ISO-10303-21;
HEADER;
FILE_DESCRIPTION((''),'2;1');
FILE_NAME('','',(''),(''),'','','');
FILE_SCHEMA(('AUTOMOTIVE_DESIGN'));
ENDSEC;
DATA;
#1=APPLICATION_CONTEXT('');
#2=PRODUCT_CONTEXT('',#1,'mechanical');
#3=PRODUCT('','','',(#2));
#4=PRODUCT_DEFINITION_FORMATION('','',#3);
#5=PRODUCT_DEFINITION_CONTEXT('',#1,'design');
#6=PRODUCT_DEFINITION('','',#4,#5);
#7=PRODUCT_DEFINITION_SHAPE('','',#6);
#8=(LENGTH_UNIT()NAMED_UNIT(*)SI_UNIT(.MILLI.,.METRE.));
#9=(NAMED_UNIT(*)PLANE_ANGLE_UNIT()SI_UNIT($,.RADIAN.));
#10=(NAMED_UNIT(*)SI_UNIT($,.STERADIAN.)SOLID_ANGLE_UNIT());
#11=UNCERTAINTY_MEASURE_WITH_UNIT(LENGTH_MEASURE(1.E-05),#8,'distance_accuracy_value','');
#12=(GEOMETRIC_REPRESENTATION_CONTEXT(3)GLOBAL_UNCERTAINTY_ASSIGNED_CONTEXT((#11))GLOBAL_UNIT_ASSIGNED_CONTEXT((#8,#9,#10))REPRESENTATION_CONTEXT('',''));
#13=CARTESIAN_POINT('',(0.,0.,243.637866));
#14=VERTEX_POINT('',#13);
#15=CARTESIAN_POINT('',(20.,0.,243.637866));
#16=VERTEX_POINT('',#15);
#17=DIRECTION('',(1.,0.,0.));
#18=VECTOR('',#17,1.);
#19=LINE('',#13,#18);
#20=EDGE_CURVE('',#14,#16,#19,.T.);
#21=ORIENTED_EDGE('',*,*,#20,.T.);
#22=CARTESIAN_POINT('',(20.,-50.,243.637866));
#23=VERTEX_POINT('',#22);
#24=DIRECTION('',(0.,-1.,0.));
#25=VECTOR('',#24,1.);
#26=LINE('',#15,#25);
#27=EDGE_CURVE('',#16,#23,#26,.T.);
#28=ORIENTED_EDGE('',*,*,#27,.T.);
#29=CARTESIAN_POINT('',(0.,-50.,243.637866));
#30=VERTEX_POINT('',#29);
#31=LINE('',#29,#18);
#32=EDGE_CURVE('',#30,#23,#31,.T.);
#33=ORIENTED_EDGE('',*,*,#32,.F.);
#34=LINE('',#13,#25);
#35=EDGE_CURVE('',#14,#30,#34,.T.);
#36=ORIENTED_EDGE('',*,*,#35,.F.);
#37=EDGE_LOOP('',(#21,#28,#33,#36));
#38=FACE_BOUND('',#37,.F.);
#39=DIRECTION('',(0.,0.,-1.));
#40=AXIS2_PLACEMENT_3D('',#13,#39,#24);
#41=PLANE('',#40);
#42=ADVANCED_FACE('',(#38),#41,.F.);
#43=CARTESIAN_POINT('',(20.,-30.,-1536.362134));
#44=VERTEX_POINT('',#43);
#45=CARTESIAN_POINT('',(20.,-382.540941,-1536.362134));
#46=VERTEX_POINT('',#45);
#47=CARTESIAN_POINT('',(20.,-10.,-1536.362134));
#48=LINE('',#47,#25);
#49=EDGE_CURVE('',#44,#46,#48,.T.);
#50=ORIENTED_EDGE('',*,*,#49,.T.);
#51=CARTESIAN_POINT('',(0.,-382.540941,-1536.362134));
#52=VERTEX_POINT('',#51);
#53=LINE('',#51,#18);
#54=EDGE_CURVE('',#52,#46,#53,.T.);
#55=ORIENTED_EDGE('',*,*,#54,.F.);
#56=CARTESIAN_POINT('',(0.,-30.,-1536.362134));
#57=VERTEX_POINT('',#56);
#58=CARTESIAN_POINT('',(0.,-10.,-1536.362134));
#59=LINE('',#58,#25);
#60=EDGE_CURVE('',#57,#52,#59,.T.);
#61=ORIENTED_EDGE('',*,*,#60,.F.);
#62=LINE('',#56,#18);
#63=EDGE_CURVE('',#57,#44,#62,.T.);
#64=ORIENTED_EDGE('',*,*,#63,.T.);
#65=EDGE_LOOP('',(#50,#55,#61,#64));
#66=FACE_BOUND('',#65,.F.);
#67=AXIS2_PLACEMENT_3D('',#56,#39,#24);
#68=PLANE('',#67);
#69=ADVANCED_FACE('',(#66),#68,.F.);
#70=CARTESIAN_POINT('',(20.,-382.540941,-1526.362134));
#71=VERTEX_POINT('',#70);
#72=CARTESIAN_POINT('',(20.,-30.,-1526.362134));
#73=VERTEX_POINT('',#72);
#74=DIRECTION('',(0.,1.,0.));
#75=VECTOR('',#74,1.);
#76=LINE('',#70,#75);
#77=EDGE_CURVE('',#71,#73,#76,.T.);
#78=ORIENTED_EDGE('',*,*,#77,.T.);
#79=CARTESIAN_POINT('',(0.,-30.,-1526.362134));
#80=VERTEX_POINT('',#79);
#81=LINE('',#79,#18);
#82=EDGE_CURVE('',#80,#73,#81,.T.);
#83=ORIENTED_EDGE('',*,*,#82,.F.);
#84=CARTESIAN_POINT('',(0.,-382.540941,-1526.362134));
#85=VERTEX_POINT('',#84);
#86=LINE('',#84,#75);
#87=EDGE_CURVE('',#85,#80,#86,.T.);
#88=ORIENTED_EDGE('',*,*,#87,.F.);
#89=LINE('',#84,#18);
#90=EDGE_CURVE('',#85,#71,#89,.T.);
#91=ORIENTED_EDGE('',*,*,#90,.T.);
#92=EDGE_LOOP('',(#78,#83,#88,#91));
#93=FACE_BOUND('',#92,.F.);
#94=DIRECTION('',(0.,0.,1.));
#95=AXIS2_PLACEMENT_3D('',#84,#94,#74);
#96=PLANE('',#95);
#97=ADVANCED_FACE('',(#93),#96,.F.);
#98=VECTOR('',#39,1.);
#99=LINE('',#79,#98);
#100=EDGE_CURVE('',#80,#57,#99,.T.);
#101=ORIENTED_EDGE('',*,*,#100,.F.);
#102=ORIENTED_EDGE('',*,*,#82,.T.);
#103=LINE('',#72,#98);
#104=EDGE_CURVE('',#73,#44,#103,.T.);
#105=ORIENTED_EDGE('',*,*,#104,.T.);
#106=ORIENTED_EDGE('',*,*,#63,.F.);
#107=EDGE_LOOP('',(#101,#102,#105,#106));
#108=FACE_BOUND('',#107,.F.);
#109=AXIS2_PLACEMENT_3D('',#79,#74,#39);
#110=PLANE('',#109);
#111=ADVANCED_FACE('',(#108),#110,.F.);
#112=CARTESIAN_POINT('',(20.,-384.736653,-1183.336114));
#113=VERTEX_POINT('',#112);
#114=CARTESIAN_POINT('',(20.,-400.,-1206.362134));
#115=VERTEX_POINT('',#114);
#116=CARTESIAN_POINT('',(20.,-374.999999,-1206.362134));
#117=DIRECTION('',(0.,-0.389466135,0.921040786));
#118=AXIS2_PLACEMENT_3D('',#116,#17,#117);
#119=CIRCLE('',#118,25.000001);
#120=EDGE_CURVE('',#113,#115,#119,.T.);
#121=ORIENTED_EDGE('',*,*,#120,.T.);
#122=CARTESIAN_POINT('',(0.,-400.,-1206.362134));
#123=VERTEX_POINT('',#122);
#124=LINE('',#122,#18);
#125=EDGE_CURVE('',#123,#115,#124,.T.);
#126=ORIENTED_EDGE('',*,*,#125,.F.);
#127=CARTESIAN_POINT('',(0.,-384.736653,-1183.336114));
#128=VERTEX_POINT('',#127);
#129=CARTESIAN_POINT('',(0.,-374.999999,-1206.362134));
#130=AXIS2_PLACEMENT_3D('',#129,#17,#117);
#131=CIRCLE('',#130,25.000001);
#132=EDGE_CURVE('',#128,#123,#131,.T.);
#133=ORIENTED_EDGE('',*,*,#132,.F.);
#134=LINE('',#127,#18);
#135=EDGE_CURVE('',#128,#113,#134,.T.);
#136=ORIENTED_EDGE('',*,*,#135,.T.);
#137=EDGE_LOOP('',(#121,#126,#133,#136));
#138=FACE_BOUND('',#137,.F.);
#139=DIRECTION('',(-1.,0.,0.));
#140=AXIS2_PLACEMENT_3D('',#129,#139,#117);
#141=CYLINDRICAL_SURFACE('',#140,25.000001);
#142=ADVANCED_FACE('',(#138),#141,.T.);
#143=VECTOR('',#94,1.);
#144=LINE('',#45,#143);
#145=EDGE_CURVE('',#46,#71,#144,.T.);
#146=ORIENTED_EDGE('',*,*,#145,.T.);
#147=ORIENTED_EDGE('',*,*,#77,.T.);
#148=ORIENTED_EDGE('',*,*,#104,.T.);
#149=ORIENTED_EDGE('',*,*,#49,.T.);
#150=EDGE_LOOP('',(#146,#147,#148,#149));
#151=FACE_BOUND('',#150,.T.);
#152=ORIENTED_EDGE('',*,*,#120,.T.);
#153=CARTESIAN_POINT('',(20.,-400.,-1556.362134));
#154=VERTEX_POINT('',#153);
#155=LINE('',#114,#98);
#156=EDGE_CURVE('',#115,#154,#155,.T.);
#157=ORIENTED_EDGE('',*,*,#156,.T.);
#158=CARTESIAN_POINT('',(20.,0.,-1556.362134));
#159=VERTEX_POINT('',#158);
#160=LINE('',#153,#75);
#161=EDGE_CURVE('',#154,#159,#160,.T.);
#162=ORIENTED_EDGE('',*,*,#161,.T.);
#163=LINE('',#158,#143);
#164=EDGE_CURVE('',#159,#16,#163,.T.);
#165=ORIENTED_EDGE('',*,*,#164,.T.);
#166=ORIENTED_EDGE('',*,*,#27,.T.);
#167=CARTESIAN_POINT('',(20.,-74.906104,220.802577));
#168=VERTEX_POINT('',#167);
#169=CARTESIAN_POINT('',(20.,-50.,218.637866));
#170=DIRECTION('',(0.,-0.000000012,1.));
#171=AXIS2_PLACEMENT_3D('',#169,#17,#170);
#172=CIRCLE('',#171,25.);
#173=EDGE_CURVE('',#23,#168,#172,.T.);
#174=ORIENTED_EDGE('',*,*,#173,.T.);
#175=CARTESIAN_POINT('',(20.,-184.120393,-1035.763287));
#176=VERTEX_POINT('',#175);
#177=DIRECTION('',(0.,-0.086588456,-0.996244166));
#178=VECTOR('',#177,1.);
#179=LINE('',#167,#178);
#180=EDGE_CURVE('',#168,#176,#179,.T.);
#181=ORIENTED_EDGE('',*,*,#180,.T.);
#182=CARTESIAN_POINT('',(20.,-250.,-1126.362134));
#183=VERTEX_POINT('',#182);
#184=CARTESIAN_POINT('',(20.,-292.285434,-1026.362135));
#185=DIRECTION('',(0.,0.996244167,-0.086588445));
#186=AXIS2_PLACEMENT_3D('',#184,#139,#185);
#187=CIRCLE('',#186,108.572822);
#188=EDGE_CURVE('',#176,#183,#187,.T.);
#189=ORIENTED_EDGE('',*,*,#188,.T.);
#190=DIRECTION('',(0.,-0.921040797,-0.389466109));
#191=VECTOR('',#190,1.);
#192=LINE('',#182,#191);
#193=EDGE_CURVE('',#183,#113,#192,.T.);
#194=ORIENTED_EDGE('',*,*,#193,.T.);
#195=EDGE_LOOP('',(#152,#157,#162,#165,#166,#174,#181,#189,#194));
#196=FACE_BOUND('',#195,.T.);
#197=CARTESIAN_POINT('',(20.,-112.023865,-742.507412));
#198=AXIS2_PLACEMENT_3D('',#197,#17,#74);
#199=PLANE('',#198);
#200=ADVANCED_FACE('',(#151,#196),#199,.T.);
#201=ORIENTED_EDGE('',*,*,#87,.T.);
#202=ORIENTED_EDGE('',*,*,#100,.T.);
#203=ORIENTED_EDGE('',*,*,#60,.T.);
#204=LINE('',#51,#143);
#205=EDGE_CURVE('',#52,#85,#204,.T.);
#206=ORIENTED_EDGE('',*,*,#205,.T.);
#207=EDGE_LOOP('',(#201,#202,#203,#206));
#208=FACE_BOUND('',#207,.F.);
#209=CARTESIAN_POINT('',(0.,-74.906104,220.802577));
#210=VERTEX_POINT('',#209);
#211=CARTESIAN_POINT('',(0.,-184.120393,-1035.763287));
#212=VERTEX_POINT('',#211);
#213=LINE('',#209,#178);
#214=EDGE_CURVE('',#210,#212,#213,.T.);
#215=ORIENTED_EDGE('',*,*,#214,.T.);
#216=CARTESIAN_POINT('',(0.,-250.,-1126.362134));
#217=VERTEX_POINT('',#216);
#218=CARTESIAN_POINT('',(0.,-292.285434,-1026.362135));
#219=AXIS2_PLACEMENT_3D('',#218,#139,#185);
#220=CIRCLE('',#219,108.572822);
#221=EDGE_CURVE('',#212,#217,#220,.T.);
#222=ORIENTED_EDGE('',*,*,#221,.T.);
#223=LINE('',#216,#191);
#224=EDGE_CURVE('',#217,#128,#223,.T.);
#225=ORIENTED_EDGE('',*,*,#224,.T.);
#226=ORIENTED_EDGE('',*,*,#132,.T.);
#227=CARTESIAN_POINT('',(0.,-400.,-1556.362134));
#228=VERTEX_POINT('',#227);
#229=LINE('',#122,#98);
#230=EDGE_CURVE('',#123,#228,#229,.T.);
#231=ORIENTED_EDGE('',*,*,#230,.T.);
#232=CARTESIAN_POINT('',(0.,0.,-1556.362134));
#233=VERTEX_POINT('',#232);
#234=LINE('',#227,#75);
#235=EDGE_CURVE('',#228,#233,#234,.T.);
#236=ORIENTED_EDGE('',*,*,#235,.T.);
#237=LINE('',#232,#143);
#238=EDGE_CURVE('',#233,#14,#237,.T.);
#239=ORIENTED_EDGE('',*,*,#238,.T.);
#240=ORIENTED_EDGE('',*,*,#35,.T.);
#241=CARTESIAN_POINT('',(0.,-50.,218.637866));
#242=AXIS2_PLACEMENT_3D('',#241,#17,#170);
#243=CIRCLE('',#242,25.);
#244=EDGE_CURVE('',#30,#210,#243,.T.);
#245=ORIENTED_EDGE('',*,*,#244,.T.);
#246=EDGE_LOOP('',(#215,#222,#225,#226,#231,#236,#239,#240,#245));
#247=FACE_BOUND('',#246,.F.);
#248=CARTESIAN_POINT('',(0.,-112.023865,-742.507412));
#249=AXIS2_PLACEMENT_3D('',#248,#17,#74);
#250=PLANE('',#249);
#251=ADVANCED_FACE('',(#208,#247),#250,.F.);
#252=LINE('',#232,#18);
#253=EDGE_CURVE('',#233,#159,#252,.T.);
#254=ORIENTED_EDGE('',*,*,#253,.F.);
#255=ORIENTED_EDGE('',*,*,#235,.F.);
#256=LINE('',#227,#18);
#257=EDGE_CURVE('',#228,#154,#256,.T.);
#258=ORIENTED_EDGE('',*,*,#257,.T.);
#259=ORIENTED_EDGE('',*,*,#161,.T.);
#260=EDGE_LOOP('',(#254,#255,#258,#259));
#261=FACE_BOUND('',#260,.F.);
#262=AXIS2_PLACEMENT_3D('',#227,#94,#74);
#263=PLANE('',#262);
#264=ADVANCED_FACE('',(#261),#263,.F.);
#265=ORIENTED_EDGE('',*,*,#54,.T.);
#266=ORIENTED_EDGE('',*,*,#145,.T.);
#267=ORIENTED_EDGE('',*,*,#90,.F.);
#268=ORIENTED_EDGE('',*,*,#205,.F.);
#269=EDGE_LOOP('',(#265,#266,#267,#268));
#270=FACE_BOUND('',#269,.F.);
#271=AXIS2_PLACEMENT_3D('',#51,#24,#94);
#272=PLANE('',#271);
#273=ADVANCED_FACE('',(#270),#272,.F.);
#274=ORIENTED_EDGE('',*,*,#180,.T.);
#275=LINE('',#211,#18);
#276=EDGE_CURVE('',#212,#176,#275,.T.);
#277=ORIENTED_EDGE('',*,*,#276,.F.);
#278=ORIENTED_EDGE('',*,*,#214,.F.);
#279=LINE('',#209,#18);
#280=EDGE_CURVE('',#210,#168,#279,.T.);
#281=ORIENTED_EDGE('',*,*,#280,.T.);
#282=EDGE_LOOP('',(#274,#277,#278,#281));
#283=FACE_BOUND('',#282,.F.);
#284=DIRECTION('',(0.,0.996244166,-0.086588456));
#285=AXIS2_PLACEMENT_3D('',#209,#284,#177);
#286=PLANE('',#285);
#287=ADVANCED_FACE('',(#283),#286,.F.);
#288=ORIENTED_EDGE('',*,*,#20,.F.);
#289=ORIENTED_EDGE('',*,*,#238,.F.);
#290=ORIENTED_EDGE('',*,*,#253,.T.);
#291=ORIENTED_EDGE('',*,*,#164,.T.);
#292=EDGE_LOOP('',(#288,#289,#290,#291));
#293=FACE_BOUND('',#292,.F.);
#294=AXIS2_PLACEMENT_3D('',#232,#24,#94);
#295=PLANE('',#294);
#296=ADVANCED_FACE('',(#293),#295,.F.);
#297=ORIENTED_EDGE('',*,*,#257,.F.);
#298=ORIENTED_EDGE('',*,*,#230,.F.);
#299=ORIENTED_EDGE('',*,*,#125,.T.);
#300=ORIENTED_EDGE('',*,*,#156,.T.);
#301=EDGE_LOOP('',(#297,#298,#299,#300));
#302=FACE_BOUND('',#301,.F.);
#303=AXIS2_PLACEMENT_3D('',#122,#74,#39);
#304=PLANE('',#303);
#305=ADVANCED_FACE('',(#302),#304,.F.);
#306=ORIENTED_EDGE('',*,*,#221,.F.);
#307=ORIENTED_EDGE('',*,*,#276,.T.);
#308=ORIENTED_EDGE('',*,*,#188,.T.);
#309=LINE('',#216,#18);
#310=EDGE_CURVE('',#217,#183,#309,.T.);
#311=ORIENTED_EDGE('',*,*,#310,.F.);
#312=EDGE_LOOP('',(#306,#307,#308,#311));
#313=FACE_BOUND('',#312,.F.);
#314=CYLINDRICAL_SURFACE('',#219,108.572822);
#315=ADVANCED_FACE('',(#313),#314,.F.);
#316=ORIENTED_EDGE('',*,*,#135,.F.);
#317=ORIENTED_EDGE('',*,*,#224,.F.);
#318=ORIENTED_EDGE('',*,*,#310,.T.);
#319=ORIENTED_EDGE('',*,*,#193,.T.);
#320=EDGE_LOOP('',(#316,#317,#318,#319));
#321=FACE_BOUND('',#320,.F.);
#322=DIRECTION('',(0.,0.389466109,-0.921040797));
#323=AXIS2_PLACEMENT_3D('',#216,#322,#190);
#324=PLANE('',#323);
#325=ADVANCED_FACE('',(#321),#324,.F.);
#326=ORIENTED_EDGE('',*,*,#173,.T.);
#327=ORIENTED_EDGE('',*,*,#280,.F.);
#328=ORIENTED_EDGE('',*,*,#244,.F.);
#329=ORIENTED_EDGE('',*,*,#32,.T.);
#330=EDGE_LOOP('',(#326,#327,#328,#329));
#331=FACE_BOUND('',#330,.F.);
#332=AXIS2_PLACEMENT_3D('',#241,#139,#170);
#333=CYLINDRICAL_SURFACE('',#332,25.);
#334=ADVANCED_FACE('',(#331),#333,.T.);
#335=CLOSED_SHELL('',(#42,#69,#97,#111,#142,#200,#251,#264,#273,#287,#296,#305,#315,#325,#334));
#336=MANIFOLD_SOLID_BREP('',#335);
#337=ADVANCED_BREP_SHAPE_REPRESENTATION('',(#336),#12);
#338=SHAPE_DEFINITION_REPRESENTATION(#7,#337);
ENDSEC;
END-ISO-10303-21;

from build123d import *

# Parameters (mm, degrees)
F1_DEPTH = 20


with BuildPart() as f1:
    # F0 (on Right) → F1 (new body)
    with BuildSketch(Plane.YZ):
        with BuildLine():
            Line((0, -1556.362134), (0, 243.637866))
            Line((0, 243.637866), (-50, 243.637866))
            ThreePointArc((-50, 243.637866), (-66.895002, 237.06499), (-74.906104, 220.802577))
            Line((-74.906104, 220.802577), (-184.120393, -1035.763287))
            ThreePointArc((-184.120393, -1035.763287), (-204.473851, -1090.214963), (-250, -1126.362134))
            Line((-250, -1126.362134), (-384.736653, -1183.336114))
            ThreePointArc((-384.736653, -1183.336114), (-395.837662, -1192.549392), (-400, -1206.362134))
            Line((-400, -1206.362134), (-400, -1556.362134))
            Line((-400, -1556.362134), (0, -1556.362134))
        make_face()
        Polygon((-30, 233.637866), (-10, 233.637866), (-10, -1536.362134), (-30, -1536.362134), (-382.540941, -1536.362134), (-382.540941, -1526.362134), (-30, -1526.362134), align=None, mode=Mode.SUBTRACT)
        Polygon((-10, -1536.362134), (-10, 233.637866), (-30, 233.637866), (-30, -1526.362134), (-30, -1536.362134), align=None)
    extrude(amount=F1_DEPTH)


solid = f1.part
